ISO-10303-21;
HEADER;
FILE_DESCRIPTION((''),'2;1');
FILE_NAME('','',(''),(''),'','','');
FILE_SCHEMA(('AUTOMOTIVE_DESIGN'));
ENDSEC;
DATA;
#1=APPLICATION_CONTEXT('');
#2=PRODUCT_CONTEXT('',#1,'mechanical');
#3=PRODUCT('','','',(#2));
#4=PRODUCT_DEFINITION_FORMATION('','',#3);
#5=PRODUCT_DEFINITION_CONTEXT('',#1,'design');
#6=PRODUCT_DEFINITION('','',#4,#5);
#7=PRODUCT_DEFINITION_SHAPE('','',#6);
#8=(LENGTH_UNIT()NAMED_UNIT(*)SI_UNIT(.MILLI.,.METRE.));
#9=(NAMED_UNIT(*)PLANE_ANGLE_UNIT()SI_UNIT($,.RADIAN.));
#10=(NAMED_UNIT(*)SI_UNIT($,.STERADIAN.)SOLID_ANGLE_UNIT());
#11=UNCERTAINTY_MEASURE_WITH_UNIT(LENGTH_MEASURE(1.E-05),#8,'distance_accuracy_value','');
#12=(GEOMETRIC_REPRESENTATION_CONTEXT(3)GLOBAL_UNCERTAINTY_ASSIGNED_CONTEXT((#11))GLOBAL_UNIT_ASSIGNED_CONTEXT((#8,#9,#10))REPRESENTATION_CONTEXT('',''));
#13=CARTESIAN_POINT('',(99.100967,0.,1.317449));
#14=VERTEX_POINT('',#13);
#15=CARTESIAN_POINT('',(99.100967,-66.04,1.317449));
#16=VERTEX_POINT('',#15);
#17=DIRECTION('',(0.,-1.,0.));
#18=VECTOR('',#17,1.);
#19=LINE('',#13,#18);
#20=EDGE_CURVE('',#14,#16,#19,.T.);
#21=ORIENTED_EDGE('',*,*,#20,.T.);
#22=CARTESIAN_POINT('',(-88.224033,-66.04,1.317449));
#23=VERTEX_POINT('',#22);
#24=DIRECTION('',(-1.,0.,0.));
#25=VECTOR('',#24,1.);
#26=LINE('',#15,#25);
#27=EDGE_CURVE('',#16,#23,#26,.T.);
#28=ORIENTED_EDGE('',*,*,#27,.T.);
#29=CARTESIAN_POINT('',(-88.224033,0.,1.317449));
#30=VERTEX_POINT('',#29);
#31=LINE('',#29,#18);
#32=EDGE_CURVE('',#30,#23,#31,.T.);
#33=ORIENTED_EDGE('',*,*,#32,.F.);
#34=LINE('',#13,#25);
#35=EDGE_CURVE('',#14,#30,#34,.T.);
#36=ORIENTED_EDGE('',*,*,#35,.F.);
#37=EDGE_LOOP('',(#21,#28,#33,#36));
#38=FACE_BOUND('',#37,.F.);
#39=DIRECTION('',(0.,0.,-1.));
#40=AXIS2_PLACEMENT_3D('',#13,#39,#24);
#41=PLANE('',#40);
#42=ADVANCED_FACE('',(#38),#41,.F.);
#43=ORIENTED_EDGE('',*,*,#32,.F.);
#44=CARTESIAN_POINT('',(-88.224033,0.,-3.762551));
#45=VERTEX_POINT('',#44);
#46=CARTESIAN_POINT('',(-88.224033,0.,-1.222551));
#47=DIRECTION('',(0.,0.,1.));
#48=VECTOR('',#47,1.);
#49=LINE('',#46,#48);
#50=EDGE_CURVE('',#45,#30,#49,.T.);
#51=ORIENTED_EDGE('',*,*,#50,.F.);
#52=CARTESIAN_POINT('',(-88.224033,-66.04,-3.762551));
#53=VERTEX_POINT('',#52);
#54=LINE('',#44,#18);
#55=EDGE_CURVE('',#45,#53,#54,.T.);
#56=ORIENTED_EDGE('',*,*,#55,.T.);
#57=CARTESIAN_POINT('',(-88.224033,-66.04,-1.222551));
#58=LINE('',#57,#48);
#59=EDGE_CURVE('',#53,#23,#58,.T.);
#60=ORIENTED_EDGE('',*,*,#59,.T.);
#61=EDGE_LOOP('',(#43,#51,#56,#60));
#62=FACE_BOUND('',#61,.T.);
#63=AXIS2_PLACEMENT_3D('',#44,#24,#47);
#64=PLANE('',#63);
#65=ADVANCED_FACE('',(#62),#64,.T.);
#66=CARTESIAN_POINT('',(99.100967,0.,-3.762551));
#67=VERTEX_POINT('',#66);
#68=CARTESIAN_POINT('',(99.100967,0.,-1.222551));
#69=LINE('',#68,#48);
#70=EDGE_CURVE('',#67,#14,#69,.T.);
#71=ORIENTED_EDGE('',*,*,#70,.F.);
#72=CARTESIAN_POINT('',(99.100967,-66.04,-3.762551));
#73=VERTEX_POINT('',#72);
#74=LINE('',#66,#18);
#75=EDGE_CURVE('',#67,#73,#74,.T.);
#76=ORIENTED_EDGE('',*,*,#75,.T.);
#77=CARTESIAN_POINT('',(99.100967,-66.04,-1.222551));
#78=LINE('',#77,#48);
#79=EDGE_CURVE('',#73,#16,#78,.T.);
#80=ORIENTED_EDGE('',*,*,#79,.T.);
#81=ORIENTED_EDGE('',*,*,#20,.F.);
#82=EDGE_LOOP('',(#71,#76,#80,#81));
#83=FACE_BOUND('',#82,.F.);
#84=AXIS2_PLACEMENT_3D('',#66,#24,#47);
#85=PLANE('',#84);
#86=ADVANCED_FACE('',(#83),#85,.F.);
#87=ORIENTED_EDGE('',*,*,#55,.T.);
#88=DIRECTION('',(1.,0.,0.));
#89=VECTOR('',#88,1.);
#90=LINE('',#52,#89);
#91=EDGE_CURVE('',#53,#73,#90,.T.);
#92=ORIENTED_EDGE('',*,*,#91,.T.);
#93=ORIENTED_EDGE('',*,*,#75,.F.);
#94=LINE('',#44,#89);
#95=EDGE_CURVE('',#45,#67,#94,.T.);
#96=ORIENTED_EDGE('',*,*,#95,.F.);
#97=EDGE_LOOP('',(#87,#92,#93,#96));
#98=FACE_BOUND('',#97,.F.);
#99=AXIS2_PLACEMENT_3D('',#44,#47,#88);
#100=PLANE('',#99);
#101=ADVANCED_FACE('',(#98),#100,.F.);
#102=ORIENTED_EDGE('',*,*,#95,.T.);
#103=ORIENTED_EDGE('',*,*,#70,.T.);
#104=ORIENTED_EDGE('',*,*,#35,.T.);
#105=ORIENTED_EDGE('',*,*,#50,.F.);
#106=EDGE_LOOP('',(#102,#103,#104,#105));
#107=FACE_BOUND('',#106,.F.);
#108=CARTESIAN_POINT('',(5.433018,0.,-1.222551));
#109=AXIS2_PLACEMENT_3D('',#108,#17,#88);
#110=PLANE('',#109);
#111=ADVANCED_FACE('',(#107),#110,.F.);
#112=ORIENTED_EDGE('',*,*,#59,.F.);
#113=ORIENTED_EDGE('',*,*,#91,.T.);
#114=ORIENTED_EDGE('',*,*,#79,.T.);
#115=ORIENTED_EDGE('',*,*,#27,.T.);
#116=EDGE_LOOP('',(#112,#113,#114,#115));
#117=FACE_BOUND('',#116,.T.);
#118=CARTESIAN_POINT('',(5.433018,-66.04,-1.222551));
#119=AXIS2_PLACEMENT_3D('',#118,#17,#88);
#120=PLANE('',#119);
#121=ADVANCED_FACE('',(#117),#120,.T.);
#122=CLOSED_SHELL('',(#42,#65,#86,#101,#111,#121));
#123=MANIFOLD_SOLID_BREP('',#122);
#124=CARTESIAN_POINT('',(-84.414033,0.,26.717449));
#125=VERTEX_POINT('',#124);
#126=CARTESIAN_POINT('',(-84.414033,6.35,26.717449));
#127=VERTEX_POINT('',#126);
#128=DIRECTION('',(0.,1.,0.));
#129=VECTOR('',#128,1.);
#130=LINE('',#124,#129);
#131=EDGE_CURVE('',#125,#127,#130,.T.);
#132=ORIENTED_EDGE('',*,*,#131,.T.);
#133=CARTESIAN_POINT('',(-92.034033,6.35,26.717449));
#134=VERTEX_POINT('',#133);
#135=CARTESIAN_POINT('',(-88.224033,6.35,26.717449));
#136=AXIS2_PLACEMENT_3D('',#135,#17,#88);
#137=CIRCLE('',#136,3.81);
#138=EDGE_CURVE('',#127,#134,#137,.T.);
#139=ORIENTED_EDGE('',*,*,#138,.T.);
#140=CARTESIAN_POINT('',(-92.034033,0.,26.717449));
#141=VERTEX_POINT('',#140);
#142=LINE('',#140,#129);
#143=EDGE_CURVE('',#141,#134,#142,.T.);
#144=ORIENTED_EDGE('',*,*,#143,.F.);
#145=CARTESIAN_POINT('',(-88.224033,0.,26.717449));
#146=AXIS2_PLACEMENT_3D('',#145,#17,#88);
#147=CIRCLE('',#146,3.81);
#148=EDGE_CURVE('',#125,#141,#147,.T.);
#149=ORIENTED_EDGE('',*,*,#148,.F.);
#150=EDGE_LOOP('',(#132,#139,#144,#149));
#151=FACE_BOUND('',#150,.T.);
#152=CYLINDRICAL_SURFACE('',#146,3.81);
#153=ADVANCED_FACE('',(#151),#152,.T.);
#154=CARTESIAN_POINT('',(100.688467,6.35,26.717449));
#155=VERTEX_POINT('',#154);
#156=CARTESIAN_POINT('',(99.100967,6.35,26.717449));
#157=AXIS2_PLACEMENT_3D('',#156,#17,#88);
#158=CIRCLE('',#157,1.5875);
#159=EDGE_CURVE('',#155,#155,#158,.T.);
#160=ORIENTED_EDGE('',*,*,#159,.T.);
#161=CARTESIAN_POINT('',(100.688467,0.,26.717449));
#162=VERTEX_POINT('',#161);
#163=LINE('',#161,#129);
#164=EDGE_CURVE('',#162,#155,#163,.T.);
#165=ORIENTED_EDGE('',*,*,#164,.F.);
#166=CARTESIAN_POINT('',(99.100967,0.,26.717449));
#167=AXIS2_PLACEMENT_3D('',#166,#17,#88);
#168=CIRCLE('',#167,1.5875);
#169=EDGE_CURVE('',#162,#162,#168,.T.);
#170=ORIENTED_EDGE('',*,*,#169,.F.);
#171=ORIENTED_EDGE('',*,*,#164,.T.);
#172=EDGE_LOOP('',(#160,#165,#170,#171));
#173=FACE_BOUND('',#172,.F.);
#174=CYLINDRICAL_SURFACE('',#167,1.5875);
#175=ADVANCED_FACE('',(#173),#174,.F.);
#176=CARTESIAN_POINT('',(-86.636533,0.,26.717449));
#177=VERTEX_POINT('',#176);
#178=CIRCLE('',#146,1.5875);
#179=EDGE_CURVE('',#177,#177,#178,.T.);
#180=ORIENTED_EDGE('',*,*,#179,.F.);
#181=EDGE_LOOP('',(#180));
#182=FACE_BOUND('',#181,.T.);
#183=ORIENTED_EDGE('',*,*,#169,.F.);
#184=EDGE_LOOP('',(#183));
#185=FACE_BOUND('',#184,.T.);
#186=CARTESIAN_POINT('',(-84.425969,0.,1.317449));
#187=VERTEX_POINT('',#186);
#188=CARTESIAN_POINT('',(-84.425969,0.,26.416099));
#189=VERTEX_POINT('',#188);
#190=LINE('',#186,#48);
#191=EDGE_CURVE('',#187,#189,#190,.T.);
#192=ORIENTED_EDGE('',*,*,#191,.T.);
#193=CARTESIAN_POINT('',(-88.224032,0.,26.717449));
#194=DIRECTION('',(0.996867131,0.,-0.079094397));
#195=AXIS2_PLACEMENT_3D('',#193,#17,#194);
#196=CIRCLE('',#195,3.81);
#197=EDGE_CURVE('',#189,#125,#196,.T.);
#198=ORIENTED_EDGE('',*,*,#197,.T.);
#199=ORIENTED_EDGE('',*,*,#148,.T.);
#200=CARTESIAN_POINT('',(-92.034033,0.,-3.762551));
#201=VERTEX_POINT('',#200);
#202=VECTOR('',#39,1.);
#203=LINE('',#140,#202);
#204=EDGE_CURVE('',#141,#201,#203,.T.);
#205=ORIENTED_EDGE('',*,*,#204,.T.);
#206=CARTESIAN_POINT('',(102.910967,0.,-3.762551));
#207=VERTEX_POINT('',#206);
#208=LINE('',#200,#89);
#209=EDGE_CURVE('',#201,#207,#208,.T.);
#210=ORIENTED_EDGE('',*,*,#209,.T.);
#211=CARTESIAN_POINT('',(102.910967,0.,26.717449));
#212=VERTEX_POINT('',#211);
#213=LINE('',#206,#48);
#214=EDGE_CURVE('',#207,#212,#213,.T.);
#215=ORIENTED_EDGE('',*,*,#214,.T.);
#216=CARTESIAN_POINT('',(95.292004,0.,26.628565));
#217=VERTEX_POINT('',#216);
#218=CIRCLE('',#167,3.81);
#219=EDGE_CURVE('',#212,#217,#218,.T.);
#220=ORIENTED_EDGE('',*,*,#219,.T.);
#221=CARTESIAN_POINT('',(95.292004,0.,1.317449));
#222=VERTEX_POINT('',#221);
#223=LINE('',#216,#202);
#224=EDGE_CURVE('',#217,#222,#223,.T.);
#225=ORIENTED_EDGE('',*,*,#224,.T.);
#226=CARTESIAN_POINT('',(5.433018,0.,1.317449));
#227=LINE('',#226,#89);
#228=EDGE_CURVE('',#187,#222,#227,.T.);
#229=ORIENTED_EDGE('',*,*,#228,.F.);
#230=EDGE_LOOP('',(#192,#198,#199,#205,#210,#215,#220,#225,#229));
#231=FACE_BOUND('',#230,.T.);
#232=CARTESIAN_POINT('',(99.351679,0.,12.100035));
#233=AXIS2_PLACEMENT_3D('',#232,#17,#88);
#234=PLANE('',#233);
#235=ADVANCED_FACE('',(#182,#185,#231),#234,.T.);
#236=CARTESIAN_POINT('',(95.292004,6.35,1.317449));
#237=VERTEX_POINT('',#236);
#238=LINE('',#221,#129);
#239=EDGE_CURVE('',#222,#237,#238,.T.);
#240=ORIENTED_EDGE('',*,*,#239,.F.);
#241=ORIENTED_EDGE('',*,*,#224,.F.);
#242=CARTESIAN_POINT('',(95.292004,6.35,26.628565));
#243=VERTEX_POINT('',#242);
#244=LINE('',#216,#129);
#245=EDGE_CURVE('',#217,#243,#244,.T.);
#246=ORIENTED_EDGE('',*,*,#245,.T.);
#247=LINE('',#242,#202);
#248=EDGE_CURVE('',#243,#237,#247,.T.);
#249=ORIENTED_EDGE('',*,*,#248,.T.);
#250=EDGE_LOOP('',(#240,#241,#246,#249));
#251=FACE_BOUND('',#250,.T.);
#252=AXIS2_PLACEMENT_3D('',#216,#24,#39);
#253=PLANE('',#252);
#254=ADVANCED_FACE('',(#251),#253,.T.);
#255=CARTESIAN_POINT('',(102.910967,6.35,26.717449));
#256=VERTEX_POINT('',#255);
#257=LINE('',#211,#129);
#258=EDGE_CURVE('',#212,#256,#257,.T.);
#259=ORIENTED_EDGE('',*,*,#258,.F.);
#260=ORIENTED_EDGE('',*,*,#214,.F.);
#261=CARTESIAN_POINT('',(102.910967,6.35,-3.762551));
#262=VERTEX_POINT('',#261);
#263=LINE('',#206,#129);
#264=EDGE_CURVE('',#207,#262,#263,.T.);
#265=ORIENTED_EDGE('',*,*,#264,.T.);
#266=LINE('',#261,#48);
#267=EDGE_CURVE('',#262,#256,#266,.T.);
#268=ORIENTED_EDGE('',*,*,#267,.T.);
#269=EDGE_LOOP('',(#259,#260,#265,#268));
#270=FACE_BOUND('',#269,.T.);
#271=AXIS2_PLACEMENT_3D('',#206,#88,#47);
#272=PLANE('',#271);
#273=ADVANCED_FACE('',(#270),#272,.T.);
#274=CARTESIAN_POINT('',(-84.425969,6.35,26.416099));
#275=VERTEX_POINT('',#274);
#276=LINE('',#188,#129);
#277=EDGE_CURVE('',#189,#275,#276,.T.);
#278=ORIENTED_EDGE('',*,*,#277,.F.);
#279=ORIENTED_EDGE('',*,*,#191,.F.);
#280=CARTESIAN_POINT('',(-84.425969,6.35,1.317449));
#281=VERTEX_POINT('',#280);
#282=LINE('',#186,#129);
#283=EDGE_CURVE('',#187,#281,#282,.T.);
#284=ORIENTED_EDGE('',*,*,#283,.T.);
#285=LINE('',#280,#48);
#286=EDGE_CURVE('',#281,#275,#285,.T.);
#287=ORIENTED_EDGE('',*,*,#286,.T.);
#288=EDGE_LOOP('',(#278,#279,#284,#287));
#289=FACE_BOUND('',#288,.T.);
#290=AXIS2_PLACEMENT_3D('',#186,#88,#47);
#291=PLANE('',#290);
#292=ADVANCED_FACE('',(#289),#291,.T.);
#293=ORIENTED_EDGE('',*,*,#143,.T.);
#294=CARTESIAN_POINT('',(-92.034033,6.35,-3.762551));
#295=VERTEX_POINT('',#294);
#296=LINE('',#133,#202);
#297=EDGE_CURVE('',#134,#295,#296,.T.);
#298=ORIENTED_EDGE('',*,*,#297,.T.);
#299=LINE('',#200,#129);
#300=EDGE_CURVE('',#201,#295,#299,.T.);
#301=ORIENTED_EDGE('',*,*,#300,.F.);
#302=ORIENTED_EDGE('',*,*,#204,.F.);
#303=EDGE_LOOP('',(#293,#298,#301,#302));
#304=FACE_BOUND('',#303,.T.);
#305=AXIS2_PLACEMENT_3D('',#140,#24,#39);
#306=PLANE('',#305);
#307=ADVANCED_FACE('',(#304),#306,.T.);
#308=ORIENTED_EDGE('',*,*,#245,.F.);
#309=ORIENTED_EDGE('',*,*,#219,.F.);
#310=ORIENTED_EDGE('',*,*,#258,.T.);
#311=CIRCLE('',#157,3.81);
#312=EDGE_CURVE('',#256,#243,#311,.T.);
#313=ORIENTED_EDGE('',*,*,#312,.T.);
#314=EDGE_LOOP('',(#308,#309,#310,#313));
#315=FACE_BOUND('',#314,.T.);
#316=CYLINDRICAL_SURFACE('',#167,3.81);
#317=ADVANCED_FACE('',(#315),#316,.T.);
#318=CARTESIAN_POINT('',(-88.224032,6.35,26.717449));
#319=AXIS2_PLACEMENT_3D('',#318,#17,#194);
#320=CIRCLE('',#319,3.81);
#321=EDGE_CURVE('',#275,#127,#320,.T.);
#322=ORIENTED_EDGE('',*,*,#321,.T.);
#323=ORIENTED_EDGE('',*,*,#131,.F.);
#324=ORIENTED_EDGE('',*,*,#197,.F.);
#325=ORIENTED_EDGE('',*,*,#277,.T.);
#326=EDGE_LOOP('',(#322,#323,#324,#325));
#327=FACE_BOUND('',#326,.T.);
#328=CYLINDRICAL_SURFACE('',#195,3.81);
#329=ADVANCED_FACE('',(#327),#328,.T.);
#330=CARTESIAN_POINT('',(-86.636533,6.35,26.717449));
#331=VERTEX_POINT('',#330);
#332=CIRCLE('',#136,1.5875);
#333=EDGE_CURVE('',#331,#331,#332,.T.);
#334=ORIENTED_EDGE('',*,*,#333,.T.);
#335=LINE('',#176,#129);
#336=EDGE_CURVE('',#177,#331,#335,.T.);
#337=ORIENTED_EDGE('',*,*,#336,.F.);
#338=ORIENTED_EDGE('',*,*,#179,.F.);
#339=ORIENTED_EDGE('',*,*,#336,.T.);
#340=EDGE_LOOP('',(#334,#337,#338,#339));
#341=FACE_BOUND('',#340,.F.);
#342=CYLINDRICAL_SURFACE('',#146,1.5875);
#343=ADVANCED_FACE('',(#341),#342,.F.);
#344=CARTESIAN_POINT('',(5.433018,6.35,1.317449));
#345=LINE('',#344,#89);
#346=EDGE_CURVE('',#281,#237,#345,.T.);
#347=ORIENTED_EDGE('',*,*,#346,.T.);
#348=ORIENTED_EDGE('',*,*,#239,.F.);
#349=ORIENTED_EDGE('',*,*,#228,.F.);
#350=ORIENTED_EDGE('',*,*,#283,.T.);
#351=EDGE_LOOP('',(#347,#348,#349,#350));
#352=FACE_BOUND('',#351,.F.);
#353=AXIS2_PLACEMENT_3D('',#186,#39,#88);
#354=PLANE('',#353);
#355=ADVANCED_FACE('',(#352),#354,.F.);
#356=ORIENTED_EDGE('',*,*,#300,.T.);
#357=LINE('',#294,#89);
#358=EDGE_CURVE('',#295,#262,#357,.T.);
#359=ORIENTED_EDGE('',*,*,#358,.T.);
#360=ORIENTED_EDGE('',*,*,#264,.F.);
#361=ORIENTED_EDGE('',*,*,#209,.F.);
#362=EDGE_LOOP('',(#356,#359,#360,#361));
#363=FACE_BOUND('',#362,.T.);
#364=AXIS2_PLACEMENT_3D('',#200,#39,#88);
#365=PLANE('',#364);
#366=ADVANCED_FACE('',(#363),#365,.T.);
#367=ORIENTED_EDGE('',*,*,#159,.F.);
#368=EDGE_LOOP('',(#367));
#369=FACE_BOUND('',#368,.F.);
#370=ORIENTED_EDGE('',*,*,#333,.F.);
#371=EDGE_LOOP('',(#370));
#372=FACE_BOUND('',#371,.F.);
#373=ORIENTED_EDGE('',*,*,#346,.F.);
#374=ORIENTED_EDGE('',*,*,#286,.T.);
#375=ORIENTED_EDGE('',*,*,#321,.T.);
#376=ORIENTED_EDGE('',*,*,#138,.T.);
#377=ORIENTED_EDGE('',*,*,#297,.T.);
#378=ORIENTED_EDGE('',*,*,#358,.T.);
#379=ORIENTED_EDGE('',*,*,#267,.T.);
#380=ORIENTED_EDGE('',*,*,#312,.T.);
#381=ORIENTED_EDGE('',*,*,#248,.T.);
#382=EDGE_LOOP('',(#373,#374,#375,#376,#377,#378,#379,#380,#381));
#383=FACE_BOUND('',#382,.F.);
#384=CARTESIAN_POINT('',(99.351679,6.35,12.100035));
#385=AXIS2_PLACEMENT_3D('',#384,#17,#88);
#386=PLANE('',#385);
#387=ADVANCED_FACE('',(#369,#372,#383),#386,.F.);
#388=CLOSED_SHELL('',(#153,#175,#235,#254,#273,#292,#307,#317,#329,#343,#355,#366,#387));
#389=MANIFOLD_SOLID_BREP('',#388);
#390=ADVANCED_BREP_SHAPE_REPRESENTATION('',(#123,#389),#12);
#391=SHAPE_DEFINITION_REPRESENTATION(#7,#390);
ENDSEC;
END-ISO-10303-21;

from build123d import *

# Parameters (mm, degrees)
F0_W     = 179.7179731623
F0_H     = 5.08
F0_W_2   = 3.7980637683
F0_W_3   = 3.8089630693
F1_DEPTH = 66.04
F0_R     = 1.5875
F2_DEPTH = 6.35


with BuildPart() as f1:
    # F0 (on Front) → F1 (new body)
    with BuildSketch(Plane.XZ):
        with Locations((5.4330178372, -1.2225511894)):
            Rectangle(F0_W, F0_H)
        with Locations((-86.3250006281, -1.2225511894)):
            Rectangle(F0_W_2, F0_H)
        with Locations((97.196485953, -1.2225511894)):
            Rectangle(F0_W_3, F0_H)
    extrude(amount=F1_DEPTH)


with BuildPart() as f2:
    # F0 (on Front) → F2 (new body)
    with BuildSketch(Plane.XZ):
        with BuildLine():
            Line((95.2920044184, 26.6285649741), (95.2920044184, 1.3174488106))
            Line((95.2920044184, 1.3174488106), (99.1009674877, 1.3174488106))
            Line((99.1009674877, 1.3174488106), (99.1009674877, -3.7625511894))
            Line((99.1009674877, -3.7625511894), (102.9109674877, -3.7625511894))
            Line((102.9109674877, -3.7625511894), (102.9109674877, 26.7174488106))
            ThreePointArc((102.9109674877, 26.7174488106), (99.1454124301, 22.9077080521), (95.2920044184, 26.6285649741))
        make_face()
        with BuildLine():
            ThreePointArc((102.9109674877, 26.7174488106), (99.0565225453, 30.5271895691), (95.2920044184, 26.6285649741))
            ThreePointArc((95.2920044184, 26.6285649741), (99.1454124301, 22.9077080521), (102.9109674877, 26.7174488106))
        make_face()
        with Locations((99.1009674877, 26.7174488106)):
            Circle(F0_R, mode=Mode.SUBTRACT)
        with BuildLine():
            ThreePointArc((-92.0340325123, 26.7174488106), (-88.3748254874, 22.910434038), (-84.425968744, 26.4160991602))
            ThreePointArc((-84.425968744, 26.4160991602), (-84.4170177397, 26.5666558355), (-84.4140325123, 26.7174488106))
            ThreePointArc((-84.4140325123, 26.7174488106), (-88.2240325123, 30.5274488106), (-92.0340325123, 26.7174488106))
        make_face()
        with Locations((-88.2240325123, 26.7174488106)):
            Circle(F0_R, mode=Mode.SUBTRACT)
        with BuildLine():
            Line((-88.2240325123, -3.7625511894), (-88.2240325123, 1.3174488106))
            Line((-88.2240325123, 1.3174488106), (-84.425968744, 1.3174488106))
            Line((-84.425968744, 1.3174488106), (-84.425968744, 26.4160991602))
            ThreePointArc((-84.425968744, 26.4160991602), (-88.3748254874, 22.910434038), (-92.0340325123, 26.7174488106))
            Line((-92.0340325123, 26.7174488106), (-92.0340325123, -3.7625511894))
            Line((-92.0340325123, -3.7625511894), (-88.2240325123, -3.7625511894))
        make_face()
        with Locations((5.4330178372, -1.2225511894)):
            Rectangle(F0_W, F0_H)
        with Locations((-86.3250006281, -1.2225511894)):
            Rectangle(F0_W_2, F0_H)
        with Locations((97.196485953, -1.2225511894)):
            Rectangle(F0_W_3, F0_H)
    extrude(amount=-F2_DEPTH)


solid = Compound([f1.part, f2.part])
